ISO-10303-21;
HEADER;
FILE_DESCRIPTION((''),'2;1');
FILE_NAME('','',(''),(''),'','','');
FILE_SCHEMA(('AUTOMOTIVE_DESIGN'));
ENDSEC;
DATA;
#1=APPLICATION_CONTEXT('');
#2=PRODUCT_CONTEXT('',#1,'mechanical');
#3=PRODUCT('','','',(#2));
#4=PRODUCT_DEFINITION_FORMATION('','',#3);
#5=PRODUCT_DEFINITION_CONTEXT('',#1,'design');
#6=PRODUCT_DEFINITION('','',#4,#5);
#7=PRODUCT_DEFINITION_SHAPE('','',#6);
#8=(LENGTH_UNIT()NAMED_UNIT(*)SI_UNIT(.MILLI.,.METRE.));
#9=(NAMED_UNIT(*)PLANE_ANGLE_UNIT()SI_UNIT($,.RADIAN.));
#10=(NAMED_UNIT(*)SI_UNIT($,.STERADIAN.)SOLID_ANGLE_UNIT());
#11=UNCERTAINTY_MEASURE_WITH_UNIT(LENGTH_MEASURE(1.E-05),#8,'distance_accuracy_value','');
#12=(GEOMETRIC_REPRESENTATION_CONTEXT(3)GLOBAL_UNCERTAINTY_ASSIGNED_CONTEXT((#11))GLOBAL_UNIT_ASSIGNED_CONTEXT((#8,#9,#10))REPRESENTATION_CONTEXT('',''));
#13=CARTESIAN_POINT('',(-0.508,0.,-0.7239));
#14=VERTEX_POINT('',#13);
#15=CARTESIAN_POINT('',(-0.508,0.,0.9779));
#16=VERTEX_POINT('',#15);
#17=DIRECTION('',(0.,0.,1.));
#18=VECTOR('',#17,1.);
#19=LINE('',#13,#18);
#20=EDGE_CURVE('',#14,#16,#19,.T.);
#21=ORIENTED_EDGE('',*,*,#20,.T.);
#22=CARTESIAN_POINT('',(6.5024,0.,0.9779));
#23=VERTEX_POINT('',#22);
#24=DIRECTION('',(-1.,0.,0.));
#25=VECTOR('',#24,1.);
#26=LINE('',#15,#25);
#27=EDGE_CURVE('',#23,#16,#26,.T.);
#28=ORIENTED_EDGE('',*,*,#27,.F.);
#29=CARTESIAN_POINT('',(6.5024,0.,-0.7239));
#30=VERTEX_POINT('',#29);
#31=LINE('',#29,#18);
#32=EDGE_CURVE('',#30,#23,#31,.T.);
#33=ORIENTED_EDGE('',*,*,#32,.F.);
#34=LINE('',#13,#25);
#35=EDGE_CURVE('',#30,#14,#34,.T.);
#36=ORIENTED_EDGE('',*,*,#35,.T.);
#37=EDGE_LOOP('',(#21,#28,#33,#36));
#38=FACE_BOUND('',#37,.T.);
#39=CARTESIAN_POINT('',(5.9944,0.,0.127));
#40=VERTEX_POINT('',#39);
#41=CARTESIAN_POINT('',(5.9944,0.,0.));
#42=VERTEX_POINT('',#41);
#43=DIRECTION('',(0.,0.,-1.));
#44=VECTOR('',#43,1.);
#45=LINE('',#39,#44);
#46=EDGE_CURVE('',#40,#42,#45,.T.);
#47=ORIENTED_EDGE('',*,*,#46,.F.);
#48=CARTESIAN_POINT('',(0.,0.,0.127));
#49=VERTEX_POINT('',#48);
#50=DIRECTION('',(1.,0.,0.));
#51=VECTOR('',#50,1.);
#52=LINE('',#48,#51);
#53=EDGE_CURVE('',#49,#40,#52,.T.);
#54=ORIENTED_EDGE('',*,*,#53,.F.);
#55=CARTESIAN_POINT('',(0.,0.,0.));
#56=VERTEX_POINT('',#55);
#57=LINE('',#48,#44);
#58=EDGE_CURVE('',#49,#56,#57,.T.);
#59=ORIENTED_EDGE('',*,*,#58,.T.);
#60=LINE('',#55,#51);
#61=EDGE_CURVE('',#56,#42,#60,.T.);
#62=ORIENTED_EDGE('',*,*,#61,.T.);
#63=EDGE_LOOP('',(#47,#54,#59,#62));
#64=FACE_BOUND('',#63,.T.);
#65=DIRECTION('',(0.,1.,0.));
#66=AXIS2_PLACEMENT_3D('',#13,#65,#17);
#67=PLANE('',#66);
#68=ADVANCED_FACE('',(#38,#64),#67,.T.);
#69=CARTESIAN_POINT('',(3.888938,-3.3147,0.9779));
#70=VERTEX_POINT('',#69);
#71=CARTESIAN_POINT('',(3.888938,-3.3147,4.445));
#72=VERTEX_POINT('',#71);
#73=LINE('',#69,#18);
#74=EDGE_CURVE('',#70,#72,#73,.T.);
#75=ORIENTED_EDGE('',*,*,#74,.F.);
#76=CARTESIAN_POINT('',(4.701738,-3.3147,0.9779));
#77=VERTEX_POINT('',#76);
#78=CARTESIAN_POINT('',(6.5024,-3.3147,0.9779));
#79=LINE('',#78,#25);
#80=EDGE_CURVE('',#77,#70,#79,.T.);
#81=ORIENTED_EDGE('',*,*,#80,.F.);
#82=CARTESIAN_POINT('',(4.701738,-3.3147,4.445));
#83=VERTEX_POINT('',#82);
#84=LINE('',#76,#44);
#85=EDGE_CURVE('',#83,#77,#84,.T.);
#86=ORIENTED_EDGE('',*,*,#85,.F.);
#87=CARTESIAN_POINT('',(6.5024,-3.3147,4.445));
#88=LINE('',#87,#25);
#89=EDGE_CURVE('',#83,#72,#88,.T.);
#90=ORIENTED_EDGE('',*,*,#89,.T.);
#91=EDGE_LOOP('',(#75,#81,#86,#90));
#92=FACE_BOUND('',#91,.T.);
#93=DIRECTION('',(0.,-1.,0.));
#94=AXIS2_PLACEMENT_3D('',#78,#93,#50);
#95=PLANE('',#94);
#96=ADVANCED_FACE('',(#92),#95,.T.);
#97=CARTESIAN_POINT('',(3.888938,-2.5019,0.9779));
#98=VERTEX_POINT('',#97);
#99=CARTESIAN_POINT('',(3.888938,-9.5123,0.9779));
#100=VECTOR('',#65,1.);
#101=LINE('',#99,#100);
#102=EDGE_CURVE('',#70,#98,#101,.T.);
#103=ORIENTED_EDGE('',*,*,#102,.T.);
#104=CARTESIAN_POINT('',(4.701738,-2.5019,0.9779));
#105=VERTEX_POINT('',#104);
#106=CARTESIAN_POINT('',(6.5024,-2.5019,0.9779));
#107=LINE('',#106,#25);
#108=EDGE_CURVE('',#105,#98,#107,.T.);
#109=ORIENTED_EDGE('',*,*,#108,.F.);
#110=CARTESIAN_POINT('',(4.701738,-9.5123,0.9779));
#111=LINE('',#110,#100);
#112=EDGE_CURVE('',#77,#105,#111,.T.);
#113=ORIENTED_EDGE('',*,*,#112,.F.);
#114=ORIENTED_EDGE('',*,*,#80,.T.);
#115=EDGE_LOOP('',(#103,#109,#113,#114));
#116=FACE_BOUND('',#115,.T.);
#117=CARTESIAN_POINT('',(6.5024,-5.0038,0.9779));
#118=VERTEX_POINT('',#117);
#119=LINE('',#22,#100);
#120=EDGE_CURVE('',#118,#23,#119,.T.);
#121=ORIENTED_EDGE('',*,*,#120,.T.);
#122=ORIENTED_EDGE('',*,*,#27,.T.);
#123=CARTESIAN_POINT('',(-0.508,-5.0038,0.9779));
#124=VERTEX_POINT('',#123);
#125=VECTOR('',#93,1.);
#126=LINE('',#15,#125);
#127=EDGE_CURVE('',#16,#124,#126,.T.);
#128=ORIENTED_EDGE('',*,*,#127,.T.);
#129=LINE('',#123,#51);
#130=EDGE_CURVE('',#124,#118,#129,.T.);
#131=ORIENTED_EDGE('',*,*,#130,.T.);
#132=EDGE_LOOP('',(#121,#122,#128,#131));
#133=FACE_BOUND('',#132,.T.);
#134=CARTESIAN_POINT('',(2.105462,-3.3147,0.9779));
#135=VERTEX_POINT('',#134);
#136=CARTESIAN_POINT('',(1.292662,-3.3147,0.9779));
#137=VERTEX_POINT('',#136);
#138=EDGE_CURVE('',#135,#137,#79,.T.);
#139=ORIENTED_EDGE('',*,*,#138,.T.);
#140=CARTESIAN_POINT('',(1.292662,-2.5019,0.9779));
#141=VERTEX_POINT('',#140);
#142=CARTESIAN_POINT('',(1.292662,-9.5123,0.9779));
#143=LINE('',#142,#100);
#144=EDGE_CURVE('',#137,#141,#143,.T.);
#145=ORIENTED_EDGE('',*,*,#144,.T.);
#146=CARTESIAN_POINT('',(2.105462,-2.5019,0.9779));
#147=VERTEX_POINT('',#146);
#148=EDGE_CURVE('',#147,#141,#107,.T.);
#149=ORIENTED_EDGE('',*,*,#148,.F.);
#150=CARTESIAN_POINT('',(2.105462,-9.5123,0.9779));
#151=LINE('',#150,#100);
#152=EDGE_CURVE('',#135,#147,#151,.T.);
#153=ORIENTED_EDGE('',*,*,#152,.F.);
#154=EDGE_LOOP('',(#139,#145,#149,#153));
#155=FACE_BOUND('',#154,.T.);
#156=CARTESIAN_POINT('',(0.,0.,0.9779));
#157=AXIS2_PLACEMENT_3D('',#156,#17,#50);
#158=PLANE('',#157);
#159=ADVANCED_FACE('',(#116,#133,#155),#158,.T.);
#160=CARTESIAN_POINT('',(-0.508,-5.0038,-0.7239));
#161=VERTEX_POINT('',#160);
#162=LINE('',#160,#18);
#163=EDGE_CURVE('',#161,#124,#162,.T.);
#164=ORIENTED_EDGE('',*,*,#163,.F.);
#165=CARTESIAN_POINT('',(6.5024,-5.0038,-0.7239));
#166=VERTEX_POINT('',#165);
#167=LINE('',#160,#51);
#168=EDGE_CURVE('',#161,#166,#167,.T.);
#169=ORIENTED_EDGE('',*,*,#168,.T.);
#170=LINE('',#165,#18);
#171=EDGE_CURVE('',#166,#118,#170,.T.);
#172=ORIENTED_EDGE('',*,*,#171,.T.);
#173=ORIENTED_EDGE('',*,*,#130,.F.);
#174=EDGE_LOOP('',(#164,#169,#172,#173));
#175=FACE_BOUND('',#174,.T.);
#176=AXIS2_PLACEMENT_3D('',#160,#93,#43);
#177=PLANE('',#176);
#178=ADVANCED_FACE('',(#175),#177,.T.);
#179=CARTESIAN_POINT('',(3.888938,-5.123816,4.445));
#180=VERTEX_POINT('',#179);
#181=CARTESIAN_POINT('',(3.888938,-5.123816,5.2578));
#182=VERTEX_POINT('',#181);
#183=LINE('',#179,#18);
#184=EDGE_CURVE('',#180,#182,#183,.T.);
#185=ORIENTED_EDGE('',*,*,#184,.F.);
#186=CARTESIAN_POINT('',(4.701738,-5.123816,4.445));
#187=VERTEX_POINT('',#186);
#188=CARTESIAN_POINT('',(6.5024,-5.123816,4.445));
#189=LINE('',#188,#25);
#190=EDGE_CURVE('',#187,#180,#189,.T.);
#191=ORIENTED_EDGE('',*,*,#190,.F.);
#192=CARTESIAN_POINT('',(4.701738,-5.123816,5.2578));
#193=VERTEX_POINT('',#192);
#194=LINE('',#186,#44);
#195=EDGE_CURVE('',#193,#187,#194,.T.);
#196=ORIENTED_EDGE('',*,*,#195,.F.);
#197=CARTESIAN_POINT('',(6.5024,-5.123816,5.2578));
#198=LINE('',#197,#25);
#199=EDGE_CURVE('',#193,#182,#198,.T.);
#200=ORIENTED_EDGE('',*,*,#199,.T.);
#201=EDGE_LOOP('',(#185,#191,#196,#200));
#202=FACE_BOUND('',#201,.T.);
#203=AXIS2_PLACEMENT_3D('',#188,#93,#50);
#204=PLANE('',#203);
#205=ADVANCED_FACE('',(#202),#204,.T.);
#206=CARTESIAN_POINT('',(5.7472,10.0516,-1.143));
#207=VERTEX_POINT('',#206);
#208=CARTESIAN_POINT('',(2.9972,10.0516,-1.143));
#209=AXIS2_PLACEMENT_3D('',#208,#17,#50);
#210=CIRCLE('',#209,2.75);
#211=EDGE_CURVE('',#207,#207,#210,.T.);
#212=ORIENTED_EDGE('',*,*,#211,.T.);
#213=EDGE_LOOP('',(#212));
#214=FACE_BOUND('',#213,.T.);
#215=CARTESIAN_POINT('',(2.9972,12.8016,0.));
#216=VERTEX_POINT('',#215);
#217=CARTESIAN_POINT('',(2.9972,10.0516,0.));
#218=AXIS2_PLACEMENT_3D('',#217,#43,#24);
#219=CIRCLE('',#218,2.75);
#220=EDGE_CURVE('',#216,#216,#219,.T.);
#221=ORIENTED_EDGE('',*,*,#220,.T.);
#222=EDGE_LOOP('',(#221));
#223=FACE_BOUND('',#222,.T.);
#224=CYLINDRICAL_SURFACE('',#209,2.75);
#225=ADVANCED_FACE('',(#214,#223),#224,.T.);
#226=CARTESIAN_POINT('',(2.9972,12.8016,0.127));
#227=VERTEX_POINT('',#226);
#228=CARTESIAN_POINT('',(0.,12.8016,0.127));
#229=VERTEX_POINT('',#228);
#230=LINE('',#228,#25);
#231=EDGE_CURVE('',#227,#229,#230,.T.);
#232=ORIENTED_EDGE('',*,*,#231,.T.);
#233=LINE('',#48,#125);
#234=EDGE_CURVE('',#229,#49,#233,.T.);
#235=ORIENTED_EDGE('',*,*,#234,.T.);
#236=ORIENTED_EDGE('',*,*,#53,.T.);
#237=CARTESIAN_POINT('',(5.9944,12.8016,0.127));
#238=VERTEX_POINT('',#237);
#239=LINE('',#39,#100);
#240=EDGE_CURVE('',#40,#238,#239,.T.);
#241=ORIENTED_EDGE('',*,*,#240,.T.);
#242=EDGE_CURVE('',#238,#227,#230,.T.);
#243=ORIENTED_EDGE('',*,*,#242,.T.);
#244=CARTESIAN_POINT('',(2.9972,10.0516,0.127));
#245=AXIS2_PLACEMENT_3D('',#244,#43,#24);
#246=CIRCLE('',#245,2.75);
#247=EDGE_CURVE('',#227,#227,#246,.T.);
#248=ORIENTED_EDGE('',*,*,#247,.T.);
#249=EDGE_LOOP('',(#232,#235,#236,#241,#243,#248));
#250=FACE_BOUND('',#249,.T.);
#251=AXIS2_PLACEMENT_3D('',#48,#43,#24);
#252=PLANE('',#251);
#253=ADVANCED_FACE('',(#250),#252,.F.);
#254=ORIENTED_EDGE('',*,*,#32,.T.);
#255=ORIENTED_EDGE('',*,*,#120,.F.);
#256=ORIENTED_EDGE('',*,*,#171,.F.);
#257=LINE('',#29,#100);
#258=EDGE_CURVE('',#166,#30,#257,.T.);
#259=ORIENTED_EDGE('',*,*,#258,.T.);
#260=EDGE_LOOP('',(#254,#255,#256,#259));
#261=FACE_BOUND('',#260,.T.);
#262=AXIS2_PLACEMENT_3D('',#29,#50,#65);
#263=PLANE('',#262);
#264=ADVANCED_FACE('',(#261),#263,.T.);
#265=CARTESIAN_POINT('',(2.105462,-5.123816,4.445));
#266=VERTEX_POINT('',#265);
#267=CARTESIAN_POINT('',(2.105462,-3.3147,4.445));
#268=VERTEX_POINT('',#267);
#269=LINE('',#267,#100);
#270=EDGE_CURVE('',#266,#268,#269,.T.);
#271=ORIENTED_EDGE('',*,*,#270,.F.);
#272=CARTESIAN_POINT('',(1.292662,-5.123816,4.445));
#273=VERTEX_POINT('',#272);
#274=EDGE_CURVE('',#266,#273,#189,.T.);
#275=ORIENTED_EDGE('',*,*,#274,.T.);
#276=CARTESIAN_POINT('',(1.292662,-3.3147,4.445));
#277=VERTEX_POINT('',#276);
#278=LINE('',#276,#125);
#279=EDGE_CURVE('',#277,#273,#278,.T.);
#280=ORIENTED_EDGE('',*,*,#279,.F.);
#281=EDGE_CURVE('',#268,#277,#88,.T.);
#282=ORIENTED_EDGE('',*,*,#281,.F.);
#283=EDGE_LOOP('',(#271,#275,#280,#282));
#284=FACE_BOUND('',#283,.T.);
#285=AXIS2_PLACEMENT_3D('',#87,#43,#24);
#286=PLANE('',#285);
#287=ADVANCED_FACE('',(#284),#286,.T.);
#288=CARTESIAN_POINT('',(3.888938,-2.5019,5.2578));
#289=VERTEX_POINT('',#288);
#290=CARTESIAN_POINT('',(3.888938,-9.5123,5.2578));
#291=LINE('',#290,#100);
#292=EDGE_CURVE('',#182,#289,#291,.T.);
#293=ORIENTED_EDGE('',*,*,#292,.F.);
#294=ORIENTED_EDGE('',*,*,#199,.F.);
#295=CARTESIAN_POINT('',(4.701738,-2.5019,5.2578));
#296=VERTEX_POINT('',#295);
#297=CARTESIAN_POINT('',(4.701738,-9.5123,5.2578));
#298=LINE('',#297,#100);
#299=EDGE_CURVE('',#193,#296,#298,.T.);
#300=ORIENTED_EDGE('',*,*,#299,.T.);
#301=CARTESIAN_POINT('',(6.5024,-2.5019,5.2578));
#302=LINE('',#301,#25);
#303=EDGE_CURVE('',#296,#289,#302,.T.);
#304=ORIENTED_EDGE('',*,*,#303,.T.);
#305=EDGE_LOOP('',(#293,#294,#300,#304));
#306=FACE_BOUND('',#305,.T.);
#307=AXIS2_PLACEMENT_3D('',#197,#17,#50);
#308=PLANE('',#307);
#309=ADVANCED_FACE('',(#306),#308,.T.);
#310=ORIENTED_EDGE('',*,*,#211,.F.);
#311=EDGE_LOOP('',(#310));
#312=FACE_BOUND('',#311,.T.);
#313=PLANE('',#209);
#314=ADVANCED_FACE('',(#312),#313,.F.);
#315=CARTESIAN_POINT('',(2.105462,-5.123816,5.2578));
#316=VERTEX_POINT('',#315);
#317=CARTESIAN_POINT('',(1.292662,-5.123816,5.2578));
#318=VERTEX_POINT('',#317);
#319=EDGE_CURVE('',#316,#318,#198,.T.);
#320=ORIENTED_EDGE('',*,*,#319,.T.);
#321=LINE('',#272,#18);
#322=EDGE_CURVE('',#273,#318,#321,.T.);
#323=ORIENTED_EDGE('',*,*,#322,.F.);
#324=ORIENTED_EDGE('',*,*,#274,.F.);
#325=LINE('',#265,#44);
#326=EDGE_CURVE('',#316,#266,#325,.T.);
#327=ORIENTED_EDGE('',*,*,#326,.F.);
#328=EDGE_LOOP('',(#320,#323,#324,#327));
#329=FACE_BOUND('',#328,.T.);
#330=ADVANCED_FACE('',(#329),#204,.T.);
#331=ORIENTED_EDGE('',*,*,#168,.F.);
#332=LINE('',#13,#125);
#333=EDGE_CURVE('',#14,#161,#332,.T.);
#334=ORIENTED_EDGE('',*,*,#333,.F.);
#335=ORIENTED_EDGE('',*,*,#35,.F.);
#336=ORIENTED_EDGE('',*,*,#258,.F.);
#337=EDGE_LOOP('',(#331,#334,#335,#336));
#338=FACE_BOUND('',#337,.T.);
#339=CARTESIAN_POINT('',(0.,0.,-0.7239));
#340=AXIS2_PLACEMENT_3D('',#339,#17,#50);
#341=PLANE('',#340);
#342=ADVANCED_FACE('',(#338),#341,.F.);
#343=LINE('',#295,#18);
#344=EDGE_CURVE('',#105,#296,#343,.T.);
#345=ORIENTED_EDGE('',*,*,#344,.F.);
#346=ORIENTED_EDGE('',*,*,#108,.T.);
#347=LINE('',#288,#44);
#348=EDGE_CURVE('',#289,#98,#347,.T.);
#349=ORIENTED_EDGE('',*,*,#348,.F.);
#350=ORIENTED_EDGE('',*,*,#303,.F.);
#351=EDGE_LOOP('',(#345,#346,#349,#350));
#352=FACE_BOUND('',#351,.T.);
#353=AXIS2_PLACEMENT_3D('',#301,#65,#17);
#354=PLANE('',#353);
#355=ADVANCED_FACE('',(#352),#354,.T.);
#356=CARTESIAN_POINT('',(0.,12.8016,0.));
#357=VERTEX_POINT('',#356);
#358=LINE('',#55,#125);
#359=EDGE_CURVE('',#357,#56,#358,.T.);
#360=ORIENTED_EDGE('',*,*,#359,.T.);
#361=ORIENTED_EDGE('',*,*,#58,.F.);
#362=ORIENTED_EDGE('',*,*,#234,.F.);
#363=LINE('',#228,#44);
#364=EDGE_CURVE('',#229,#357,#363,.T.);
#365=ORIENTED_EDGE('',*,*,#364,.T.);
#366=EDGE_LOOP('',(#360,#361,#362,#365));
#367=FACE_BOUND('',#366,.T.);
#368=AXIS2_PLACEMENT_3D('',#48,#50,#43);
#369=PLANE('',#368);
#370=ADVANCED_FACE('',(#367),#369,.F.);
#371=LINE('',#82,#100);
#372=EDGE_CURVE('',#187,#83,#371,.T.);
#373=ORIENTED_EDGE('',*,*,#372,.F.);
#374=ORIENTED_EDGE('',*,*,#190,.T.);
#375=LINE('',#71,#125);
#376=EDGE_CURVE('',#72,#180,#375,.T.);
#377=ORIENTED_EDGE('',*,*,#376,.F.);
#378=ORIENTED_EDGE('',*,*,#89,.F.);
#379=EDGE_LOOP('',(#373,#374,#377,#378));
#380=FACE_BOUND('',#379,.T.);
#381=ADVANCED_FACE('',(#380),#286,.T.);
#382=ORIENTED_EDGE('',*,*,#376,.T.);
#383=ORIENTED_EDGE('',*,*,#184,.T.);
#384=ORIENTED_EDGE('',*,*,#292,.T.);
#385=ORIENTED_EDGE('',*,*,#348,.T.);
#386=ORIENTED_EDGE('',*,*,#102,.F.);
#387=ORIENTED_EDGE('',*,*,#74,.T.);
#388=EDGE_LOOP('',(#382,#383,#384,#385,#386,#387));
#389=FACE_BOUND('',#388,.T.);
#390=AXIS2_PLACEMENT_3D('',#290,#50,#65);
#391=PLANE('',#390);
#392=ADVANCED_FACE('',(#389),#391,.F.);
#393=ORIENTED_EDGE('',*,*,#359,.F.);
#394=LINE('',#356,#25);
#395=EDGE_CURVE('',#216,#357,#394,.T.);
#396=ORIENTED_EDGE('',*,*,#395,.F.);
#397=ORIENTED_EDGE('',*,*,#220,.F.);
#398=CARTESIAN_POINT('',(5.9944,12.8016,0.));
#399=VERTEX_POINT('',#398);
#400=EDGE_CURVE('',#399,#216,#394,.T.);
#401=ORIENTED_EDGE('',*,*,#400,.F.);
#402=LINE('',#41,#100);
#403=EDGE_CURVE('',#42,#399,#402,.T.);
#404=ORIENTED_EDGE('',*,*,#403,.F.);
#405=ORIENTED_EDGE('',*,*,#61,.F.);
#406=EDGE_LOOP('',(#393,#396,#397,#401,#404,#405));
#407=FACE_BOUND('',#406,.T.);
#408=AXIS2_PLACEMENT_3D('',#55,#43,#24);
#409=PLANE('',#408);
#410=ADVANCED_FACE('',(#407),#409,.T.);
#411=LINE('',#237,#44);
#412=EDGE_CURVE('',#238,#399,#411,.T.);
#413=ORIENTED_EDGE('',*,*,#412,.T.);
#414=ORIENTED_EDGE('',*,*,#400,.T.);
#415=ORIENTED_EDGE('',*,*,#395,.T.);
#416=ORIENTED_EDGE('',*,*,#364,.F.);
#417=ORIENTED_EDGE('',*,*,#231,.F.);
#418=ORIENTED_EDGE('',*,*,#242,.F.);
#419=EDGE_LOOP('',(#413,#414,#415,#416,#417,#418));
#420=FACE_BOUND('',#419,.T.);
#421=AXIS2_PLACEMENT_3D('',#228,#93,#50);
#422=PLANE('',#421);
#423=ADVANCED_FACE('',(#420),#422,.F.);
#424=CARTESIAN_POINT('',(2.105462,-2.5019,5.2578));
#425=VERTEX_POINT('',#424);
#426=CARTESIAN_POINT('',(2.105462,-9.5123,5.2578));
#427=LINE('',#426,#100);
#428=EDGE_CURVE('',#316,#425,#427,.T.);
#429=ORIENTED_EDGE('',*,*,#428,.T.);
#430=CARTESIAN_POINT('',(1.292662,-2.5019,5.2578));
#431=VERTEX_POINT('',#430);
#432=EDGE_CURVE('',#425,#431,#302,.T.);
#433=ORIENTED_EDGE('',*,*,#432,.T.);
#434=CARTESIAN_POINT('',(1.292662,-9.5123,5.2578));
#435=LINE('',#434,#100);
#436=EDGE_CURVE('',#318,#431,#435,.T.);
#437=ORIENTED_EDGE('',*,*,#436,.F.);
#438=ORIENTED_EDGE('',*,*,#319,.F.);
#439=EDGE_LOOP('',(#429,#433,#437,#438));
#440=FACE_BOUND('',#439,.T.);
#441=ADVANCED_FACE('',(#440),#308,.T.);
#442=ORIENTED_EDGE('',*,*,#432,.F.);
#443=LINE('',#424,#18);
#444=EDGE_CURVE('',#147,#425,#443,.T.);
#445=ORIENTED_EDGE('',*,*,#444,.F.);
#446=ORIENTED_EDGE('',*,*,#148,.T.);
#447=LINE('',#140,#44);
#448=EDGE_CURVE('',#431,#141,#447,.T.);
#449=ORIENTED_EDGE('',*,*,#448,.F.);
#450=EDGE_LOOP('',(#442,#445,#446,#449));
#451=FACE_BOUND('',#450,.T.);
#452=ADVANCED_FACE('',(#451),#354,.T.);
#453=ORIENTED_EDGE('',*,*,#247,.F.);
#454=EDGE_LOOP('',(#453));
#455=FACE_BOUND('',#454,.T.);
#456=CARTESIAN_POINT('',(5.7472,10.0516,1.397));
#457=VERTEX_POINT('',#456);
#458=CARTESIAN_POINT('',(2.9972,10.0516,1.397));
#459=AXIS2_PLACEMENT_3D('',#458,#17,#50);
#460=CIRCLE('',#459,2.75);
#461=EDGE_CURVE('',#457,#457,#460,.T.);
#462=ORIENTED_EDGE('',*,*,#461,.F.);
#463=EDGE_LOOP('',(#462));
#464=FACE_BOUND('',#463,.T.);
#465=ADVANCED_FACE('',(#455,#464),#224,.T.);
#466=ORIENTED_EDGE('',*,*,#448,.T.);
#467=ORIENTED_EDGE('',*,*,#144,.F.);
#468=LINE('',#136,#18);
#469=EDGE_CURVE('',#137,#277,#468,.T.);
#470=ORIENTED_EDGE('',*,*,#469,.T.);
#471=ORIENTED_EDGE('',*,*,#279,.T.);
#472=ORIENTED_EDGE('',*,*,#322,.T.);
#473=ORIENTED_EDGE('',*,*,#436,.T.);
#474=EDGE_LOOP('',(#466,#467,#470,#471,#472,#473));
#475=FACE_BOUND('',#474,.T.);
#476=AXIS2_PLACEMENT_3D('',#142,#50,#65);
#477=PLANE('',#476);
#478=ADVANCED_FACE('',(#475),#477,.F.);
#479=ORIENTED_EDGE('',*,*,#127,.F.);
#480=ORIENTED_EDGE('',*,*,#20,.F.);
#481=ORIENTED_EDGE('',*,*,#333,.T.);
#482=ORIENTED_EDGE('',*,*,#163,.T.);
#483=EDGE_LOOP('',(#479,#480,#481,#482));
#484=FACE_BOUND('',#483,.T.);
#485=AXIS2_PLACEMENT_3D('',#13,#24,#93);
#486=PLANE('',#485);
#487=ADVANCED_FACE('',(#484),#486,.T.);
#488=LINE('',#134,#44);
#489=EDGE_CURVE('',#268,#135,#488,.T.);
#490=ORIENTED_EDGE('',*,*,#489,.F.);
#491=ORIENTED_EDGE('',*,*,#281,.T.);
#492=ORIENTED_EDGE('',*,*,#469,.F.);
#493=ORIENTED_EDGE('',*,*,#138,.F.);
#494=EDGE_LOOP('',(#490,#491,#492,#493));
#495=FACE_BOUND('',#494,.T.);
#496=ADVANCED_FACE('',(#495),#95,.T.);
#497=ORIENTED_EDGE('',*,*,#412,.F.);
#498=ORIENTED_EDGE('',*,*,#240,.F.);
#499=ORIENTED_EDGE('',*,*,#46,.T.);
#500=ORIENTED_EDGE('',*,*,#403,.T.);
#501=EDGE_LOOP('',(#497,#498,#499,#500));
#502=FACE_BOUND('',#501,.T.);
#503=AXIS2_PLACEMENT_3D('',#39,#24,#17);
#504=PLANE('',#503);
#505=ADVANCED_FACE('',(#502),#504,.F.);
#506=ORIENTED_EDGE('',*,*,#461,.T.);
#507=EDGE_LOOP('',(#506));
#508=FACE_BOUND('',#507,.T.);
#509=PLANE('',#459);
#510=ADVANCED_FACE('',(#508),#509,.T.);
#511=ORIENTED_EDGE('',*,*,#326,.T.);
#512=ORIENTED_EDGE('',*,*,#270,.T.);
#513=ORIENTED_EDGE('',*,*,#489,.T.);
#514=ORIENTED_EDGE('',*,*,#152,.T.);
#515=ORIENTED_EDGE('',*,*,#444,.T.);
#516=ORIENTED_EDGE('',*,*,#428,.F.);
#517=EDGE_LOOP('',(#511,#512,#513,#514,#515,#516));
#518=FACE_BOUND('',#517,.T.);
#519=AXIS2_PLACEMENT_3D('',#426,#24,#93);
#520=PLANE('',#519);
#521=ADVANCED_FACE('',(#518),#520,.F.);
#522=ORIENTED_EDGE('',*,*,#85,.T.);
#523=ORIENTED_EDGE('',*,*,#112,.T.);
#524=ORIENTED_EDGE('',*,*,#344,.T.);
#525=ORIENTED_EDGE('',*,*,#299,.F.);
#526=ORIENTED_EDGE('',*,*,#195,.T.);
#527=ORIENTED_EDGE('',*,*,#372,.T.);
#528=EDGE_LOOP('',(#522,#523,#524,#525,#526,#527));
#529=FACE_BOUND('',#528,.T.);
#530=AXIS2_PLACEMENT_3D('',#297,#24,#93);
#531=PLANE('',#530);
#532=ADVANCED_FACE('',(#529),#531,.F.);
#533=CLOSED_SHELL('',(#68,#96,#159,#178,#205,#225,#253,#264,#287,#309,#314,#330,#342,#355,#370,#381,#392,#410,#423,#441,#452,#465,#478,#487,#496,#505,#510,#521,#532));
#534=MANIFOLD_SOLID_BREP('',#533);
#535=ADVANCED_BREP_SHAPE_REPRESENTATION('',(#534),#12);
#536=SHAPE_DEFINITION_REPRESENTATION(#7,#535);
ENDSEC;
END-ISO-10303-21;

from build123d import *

# Parameters (mm, degrees)
SKETCH1_W                = 5.9944
SKETCH1_H                = 12.8016
BOSS_EXTRUDE1_DEPTH      = 0.127
BOSS_EXTRUDE2_DEPTH      = 0.8509
BOSS_EXTRUDE2_DEPTH_BACK = 0.8509
SKETCH2_W                = 7.0104
SKETCH2_H                = 5.0038
BOSS_EXTRUDE3_DEPTH      = 1.27
BOSS_EXTRUDE3_DEPTH_BACK = 1.27
SKETCH3_R                = 2.75
BOSS_EXTRUDE4_DEPTH      = 7.0104
SKETCH5_W                = 1.800661627
SKETCH5_H                = 4.2799
SKETCH5_W_2              = 1.783476746
CUT_EXTRUDE1_DEPTH       = 7.0104


with BuildPart() as part:
    # Sketch1 → Boss-Extrude1 (new body)
    with BuildSketch(Plane.XY):
        with Locations((2.9972, 6.4008)):
            Rectangle(SKETCH1_W, SKETCH1_H)
    extrude(amount=BOSS_EXTRUDE1_DEPTH)

    # Sketch2 → Boss-Extrude2 (add, two sides: drawn at the far end of the back side and taken through both)
    with BuildSketch(Plane.XY.offset(0.127).offset(-BOSS_EXTRUDE2_DEPTH_BACK)):
        with Locations((2.9972, -2.5019)):
            Rectangle(SKETCH2_W, SKETCH2_H)
    extrude(amount=BOSS_EXTRUDE2_DEPTH + BOSS_EXTRUDE2_DEPTH_BACK)

    # Sketch3 → Boss-Extrude3 (add, two sides: drawn at the far end of the back side and taken through both)
    with BuildSketch(Plane.XY.offset(0.127).offset(-BOSS_EXTRUDE3_DEPTH_BACK)):
        with Locations((2.9972, 10.0516)):
            Circle(SKETCH3_R)
    extrude(amount=BOSS_EXTRUDE3_DEPTH + BOSS_EXTRUDE3_DEPTH_BACK)

    # Sketch4 → Boss-Extrude4 (add)
    with BuildSketch(Plane.ZY.offset(0.508)):
        Polygon((0.9779, -3.3147), (4.445, -3.3147), (4.445, -5.123816362), (5.2578, -5.123816362), (5.2578, -2.5019), (0.9779, -2.5019), align=None)
    extrude(amount=-BOSS_EXTRUDE4_DEPTH)

    # Sketch5 → Cut-Extrude1 (cut)
    with BuildSketch(Plane(origin=(0, -2.5019, 0), x_dir=(1, 0, 0), z_dir=(0, 1, 0))):
        with Locations((0.392330813, -3.11785)):
            Rectangle(SKETCH5_W, SKETCH5_H)
        with Locations((2.9972, -3.11785)):
            Rectangle(SKETCH5_W_2, SKETCH5_H)
        with Locations((5.602069187, -3.11785)):
            Rectangle(SKETCH5_W, SKETCH5_H)
    extrude(amount=-CUT_EXTRUDE1_DEPTH, mode=Mode.SUBTRACT)


solid = part.part
